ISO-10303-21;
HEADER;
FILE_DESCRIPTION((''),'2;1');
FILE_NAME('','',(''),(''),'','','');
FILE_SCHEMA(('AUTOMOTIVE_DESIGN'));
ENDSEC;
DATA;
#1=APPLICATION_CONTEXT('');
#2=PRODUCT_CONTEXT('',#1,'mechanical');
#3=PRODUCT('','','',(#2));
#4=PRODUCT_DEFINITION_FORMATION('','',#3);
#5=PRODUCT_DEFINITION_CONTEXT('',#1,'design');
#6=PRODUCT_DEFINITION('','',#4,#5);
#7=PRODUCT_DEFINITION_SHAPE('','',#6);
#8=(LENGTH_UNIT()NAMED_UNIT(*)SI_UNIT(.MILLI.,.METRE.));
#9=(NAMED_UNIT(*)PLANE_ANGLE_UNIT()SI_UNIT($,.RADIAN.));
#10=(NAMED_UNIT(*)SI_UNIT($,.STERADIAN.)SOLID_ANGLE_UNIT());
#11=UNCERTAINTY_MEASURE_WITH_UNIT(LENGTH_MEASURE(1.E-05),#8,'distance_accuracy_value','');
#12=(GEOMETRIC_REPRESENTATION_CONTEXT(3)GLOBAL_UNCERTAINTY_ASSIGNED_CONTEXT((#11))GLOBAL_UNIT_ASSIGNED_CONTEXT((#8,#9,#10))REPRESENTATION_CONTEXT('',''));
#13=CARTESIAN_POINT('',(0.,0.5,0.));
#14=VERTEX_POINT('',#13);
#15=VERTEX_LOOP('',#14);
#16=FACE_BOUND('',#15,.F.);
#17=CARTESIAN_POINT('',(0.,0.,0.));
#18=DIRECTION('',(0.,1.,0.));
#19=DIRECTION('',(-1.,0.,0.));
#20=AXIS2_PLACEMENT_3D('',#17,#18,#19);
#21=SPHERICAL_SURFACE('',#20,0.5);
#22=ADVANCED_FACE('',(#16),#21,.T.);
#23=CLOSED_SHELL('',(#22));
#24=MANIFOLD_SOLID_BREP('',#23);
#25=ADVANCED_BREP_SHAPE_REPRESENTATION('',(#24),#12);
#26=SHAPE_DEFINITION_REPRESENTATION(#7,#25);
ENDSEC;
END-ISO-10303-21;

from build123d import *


with BuildPart() as part:
    # Sketch1 → Revolve1 (revolve)
    with BuildSketch(Plane.XY):
        with BuildLine():
            Line((0, 0.5), (0, -0.5))
            ThreePointArc((0, -0.5), (-0.5, 0), (0, 0.5))
        make_face()
    revolve(axis=Axis((0, 0.5, 0), (0, -1, 0)))


solid = part.part
